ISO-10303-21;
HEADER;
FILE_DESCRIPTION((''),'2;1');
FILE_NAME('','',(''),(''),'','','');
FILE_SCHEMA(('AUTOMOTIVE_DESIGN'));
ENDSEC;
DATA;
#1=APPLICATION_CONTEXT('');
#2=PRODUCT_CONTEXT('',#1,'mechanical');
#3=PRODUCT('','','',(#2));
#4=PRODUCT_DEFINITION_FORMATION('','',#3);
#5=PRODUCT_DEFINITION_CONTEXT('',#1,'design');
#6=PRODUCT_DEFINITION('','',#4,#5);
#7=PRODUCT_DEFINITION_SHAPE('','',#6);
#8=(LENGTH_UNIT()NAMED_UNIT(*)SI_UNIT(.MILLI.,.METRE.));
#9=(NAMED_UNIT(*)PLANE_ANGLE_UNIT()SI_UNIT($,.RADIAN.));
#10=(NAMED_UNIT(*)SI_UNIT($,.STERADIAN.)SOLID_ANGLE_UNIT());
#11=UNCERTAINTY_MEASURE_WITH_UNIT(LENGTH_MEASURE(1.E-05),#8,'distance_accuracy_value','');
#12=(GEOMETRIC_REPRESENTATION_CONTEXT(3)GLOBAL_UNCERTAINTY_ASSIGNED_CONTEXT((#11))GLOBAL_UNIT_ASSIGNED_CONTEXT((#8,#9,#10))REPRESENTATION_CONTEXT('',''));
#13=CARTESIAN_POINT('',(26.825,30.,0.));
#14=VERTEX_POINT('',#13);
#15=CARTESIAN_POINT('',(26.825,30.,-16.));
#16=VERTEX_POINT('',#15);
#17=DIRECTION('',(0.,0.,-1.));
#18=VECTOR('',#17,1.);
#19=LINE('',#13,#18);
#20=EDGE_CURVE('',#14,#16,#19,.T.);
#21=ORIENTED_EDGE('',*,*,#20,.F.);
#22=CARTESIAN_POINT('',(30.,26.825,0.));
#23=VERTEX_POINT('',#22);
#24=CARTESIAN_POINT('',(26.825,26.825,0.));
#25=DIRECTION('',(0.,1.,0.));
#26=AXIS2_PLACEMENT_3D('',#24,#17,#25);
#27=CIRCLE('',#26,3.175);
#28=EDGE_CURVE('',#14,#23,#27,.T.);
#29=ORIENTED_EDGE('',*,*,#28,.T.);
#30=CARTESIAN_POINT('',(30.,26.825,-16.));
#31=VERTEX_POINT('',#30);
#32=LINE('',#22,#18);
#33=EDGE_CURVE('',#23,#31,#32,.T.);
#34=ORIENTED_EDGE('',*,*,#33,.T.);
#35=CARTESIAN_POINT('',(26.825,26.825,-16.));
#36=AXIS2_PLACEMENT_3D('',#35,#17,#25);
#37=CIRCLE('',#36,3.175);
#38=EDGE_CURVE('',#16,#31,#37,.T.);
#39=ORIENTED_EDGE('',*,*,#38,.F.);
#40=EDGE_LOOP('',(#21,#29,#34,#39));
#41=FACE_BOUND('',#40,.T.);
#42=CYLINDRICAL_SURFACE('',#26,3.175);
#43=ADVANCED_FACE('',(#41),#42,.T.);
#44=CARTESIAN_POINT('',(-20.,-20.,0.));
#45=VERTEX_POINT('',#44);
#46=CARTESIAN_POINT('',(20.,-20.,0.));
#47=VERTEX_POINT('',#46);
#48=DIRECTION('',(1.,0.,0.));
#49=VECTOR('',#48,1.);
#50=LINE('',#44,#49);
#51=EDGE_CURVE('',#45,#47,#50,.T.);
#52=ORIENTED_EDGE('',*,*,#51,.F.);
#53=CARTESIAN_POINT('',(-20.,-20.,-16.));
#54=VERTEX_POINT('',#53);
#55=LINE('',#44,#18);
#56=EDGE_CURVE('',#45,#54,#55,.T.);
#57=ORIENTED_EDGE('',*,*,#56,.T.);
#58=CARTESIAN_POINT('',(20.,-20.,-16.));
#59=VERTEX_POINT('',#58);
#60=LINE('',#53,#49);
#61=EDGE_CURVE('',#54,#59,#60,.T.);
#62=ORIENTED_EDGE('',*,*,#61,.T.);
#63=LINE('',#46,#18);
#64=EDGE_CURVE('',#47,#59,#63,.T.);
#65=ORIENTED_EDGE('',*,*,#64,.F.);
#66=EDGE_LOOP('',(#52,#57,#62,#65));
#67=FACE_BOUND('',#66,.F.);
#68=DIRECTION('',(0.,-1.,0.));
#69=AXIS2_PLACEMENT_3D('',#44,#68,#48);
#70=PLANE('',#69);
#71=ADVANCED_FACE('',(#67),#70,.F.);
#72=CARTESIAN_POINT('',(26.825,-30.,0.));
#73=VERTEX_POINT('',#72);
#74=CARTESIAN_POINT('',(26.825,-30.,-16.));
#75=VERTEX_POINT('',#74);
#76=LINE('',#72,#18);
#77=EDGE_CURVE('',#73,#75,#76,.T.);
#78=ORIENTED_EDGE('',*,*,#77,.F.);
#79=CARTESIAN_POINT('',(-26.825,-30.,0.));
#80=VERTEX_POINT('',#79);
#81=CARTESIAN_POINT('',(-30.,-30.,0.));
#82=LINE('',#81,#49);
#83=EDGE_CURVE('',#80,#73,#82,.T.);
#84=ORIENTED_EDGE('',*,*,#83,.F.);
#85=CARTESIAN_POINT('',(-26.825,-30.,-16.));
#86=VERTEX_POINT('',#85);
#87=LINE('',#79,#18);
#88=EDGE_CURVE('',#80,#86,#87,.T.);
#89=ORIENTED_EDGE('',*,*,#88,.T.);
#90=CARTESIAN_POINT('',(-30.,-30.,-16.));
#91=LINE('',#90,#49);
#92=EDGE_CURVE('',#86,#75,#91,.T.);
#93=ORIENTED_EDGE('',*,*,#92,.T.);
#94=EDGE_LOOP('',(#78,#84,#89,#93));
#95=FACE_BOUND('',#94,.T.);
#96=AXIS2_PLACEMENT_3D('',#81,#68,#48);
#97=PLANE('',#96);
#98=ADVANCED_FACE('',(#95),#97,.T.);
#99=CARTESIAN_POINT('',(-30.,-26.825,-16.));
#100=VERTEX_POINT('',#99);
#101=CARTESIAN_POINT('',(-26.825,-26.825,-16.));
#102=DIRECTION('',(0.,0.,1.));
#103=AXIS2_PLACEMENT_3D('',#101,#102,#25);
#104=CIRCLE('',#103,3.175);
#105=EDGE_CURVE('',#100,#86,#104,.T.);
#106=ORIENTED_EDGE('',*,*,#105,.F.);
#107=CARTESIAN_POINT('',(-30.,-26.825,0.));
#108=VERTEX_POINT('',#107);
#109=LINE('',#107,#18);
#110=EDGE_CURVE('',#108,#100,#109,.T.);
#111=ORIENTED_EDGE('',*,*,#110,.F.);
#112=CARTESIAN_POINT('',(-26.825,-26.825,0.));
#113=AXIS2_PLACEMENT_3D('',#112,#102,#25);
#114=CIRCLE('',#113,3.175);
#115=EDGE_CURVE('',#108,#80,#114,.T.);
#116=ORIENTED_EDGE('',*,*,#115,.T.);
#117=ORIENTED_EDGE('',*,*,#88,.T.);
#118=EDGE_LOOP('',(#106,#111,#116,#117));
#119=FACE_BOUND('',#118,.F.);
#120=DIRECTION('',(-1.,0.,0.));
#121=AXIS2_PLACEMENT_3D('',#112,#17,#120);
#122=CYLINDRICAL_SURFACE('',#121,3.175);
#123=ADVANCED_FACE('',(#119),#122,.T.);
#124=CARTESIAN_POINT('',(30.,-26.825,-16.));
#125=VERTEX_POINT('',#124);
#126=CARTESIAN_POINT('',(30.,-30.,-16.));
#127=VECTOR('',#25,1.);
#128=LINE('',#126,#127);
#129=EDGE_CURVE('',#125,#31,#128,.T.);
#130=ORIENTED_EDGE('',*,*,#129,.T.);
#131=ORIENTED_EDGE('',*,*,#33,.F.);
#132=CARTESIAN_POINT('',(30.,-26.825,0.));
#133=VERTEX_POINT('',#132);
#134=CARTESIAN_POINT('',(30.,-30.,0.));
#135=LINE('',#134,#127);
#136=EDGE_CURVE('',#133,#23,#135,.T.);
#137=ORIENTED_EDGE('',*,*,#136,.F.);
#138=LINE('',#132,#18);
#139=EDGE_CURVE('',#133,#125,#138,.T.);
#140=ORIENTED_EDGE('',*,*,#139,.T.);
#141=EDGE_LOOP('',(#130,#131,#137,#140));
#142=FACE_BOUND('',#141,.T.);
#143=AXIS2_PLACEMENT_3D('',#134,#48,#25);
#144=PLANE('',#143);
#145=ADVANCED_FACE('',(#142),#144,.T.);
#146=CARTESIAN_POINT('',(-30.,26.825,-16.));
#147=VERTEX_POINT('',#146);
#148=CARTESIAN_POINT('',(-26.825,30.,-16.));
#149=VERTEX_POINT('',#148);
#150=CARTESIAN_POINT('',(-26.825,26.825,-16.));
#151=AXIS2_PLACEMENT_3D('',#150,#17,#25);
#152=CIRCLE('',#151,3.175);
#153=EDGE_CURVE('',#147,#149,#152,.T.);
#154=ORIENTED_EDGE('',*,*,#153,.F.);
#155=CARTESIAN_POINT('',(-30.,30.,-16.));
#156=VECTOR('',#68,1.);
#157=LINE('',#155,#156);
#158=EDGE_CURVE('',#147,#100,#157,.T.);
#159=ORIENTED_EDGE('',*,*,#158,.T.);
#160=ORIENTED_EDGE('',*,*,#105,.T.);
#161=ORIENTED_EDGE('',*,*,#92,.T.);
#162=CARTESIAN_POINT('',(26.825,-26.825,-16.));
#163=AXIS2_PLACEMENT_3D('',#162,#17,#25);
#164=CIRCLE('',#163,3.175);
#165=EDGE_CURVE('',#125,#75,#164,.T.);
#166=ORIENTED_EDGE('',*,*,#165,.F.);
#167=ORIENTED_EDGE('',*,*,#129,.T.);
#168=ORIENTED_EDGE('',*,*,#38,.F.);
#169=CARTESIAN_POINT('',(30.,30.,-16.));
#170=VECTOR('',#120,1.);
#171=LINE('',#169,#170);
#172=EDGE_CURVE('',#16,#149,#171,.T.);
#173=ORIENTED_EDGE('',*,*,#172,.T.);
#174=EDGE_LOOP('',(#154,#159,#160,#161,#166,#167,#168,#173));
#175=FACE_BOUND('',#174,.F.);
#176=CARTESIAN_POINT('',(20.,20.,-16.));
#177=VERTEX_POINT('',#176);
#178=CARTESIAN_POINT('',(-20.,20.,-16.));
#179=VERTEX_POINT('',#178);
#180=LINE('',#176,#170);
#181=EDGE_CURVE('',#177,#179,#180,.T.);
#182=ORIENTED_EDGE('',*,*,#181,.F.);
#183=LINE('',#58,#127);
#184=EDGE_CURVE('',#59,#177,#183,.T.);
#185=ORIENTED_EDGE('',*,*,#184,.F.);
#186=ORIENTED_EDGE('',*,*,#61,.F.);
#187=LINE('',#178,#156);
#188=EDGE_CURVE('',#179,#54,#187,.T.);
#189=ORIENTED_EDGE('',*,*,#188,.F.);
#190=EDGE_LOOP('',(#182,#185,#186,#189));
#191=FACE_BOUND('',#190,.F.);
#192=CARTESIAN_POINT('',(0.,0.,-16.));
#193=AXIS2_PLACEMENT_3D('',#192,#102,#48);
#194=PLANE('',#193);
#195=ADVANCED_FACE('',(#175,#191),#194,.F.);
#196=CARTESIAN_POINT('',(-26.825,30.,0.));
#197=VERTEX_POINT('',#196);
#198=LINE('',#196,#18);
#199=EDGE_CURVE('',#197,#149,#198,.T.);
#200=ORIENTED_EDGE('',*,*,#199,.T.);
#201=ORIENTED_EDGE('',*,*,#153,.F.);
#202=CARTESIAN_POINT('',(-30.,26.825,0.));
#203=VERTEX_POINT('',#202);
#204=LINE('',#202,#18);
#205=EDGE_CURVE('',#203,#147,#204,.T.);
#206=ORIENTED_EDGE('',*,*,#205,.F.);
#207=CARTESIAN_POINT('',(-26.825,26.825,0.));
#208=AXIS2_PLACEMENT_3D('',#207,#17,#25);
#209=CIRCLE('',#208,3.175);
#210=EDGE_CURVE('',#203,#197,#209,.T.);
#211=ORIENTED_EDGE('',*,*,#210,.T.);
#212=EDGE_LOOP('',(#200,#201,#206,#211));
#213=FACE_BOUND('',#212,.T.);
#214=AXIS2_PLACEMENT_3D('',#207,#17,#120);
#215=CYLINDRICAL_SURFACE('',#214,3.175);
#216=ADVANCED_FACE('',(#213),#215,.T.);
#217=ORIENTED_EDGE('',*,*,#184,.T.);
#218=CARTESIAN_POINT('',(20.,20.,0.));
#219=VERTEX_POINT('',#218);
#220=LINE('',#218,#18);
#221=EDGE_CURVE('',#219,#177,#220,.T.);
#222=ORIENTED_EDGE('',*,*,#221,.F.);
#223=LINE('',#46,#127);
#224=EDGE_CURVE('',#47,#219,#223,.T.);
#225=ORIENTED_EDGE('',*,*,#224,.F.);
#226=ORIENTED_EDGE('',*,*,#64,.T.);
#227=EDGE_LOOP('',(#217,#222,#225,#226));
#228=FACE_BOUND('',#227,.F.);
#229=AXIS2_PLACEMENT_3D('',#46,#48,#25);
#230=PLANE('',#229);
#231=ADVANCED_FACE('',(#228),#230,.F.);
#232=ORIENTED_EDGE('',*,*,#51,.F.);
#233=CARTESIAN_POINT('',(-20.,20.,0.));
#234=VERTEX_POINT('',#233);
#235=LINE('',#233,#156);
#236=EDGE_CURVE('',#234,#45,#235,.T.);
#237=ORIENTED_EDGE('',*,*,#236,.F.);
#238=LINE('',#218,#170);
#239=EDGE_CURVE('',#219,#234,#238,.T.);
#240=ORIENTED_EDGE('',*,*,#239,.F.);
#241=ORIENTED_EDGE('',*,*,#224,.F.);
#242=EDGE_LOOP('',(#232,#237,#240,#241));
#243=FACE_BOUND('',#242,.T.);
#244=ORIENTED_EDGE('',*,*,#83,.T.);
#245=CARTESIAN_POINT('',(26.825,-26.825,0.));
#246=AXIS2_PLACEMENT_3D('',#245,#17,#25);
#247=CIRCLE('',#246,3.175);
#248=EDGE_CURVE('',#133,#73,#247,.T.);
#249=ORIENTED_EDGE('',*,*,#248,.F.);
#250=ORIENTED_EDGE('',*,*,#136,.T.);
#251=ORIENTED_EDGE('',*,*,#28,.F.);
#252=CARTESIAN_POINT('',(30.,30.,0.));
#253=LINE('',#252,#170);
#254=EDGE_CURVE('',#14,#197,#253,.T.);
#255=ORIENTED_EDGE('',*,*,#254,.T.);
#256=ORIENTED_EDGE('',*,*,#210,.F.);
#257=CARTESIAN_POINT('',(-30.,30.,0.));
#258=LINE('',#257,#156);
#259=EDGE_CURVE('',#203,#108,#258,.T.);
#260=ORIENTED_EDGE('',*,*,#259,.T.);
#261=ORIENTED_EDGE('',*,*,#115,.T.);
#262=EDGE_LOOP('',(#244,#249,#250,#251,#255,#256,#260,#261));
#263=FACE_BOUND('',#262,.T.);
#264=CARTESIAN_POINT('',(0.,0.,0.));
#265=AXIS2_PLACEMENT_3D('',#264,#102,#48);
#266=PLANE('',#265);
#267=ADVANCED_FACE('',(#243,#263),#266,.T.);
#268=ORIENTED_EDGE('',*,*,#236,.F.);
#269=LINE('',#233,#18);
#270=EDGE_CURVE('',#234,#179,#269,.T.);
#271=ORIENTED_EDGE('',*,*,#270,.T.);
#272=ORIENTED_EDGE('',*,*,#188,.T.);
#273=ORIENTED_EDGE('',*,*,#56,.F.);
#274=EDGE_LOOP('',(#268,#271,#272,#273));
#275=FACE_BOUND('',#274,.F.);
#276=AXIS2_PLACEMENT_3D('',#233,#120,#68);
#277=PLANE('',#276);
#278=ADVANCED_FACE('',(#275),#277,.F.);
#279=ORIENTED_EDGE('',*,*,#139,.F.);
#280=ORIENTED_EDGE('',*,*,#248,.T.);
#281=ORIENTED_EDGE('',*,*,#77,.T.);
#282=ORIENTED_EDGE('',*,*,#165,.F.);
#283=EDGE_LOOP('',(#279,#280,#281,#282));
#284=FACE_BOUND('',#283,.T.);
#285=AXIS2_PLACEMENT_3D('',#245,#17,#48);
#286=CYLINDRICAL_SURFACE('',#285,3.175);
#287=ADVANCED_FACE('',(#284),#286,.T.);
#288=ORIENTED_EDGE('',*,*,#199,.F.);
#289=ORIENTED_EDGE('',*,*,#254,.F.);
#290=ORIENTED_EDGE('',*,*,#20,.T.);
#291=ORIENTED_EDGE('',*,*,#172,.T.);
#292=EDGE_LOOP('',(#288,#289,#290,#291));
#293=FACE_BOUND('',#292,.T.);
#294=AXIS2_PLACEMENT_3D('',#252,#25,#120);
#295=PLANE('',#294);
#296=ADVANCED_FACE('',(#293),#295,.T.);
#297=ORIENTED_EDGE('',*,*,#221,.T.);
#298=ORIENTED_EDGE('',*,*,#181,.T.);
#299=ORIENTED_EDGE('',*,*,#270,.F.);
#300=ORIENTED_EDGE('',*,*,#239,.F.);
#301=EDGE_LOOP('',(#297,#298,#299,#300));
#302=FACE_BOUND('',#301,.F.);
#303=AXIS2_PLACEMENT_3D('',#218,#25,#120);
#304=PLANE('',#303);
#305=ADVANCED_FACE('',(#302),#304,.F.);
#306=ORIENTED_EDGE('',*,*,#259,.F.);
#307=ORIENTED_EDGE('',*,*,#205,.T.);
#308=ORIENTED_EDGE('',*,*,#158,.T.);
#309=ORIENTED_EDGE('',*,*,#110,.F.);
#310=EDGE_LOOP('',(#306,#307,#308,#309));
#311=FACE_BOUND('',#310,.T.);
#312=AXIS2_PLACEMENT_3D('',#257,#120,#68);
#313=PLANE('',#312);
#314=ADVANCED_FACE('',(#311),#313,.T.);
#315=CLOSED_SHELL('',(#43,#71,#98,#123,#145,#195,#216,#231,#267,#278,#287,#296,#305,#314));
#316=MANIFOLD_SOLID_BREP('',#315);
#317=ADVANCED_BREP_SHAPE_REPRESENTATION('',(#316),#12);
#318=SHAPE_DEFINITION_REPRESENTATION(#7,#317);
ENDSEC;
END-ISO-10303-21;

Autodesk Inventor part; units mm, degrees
ref_plane "YZ Plane" through (0, 0, 0) normal (1, 0, 0) x (0, 1, 0)
ref_plane "XZ Plane" through (0, 0, 0) normal (0, 1, 0) x (-1, 0, 0)
ref_plane "XY Plane" through (0, 0, 0) normal (0, 0, 1) x (1, 0, 0)
sketch "Sketch1" plane through (0, 0, 0) normal (0, 0, 1) x (1, 0, 0)
  line L0 (-30, -30) -> (30, -30)
  line L1 (30, -30) -> (30, 30)
  line L2 (30, 30) -> (-30, 30)
  line L3 (-30, 30) -> (-30, -30)
  line L4 (-30, -30) -> (30, 30) construction
  line L5 (30, -30) -> (-30, 30) construction
  point P0 (0, 0)
  dimension "d0" = 60
extrude "Extrusion1" add sketch "Sketch1" against normal blind 16
fillet "Fillet1" radius 3.175 4 edges at (-30, 30, -8) (30, 30, -8) (30, -30, -8) (-30, -30, -8)
sketch "Sketch2" plane through (0, 0, 0) normal (0, 0, 1) x (1, 0, 0)
  line L0 (-20, -20) -> (20, -20)
  line L1 (20, -20) -> (20, 20)
  line L2 (20, 20) -> (-20, 20)
  line L3 (-20, 20) -> (-20, -20)
  line L4 (-20, -20) -> (20, 20) construction
  line L5 (20, -20) -> (-20, 20) construction
  point P0 (0, 0)
  dimension "d4" = 40
extrude "Extrusion2" cut sketch "Sketch2" against normal blind 16
properties part number "Fan 60x60x16"
